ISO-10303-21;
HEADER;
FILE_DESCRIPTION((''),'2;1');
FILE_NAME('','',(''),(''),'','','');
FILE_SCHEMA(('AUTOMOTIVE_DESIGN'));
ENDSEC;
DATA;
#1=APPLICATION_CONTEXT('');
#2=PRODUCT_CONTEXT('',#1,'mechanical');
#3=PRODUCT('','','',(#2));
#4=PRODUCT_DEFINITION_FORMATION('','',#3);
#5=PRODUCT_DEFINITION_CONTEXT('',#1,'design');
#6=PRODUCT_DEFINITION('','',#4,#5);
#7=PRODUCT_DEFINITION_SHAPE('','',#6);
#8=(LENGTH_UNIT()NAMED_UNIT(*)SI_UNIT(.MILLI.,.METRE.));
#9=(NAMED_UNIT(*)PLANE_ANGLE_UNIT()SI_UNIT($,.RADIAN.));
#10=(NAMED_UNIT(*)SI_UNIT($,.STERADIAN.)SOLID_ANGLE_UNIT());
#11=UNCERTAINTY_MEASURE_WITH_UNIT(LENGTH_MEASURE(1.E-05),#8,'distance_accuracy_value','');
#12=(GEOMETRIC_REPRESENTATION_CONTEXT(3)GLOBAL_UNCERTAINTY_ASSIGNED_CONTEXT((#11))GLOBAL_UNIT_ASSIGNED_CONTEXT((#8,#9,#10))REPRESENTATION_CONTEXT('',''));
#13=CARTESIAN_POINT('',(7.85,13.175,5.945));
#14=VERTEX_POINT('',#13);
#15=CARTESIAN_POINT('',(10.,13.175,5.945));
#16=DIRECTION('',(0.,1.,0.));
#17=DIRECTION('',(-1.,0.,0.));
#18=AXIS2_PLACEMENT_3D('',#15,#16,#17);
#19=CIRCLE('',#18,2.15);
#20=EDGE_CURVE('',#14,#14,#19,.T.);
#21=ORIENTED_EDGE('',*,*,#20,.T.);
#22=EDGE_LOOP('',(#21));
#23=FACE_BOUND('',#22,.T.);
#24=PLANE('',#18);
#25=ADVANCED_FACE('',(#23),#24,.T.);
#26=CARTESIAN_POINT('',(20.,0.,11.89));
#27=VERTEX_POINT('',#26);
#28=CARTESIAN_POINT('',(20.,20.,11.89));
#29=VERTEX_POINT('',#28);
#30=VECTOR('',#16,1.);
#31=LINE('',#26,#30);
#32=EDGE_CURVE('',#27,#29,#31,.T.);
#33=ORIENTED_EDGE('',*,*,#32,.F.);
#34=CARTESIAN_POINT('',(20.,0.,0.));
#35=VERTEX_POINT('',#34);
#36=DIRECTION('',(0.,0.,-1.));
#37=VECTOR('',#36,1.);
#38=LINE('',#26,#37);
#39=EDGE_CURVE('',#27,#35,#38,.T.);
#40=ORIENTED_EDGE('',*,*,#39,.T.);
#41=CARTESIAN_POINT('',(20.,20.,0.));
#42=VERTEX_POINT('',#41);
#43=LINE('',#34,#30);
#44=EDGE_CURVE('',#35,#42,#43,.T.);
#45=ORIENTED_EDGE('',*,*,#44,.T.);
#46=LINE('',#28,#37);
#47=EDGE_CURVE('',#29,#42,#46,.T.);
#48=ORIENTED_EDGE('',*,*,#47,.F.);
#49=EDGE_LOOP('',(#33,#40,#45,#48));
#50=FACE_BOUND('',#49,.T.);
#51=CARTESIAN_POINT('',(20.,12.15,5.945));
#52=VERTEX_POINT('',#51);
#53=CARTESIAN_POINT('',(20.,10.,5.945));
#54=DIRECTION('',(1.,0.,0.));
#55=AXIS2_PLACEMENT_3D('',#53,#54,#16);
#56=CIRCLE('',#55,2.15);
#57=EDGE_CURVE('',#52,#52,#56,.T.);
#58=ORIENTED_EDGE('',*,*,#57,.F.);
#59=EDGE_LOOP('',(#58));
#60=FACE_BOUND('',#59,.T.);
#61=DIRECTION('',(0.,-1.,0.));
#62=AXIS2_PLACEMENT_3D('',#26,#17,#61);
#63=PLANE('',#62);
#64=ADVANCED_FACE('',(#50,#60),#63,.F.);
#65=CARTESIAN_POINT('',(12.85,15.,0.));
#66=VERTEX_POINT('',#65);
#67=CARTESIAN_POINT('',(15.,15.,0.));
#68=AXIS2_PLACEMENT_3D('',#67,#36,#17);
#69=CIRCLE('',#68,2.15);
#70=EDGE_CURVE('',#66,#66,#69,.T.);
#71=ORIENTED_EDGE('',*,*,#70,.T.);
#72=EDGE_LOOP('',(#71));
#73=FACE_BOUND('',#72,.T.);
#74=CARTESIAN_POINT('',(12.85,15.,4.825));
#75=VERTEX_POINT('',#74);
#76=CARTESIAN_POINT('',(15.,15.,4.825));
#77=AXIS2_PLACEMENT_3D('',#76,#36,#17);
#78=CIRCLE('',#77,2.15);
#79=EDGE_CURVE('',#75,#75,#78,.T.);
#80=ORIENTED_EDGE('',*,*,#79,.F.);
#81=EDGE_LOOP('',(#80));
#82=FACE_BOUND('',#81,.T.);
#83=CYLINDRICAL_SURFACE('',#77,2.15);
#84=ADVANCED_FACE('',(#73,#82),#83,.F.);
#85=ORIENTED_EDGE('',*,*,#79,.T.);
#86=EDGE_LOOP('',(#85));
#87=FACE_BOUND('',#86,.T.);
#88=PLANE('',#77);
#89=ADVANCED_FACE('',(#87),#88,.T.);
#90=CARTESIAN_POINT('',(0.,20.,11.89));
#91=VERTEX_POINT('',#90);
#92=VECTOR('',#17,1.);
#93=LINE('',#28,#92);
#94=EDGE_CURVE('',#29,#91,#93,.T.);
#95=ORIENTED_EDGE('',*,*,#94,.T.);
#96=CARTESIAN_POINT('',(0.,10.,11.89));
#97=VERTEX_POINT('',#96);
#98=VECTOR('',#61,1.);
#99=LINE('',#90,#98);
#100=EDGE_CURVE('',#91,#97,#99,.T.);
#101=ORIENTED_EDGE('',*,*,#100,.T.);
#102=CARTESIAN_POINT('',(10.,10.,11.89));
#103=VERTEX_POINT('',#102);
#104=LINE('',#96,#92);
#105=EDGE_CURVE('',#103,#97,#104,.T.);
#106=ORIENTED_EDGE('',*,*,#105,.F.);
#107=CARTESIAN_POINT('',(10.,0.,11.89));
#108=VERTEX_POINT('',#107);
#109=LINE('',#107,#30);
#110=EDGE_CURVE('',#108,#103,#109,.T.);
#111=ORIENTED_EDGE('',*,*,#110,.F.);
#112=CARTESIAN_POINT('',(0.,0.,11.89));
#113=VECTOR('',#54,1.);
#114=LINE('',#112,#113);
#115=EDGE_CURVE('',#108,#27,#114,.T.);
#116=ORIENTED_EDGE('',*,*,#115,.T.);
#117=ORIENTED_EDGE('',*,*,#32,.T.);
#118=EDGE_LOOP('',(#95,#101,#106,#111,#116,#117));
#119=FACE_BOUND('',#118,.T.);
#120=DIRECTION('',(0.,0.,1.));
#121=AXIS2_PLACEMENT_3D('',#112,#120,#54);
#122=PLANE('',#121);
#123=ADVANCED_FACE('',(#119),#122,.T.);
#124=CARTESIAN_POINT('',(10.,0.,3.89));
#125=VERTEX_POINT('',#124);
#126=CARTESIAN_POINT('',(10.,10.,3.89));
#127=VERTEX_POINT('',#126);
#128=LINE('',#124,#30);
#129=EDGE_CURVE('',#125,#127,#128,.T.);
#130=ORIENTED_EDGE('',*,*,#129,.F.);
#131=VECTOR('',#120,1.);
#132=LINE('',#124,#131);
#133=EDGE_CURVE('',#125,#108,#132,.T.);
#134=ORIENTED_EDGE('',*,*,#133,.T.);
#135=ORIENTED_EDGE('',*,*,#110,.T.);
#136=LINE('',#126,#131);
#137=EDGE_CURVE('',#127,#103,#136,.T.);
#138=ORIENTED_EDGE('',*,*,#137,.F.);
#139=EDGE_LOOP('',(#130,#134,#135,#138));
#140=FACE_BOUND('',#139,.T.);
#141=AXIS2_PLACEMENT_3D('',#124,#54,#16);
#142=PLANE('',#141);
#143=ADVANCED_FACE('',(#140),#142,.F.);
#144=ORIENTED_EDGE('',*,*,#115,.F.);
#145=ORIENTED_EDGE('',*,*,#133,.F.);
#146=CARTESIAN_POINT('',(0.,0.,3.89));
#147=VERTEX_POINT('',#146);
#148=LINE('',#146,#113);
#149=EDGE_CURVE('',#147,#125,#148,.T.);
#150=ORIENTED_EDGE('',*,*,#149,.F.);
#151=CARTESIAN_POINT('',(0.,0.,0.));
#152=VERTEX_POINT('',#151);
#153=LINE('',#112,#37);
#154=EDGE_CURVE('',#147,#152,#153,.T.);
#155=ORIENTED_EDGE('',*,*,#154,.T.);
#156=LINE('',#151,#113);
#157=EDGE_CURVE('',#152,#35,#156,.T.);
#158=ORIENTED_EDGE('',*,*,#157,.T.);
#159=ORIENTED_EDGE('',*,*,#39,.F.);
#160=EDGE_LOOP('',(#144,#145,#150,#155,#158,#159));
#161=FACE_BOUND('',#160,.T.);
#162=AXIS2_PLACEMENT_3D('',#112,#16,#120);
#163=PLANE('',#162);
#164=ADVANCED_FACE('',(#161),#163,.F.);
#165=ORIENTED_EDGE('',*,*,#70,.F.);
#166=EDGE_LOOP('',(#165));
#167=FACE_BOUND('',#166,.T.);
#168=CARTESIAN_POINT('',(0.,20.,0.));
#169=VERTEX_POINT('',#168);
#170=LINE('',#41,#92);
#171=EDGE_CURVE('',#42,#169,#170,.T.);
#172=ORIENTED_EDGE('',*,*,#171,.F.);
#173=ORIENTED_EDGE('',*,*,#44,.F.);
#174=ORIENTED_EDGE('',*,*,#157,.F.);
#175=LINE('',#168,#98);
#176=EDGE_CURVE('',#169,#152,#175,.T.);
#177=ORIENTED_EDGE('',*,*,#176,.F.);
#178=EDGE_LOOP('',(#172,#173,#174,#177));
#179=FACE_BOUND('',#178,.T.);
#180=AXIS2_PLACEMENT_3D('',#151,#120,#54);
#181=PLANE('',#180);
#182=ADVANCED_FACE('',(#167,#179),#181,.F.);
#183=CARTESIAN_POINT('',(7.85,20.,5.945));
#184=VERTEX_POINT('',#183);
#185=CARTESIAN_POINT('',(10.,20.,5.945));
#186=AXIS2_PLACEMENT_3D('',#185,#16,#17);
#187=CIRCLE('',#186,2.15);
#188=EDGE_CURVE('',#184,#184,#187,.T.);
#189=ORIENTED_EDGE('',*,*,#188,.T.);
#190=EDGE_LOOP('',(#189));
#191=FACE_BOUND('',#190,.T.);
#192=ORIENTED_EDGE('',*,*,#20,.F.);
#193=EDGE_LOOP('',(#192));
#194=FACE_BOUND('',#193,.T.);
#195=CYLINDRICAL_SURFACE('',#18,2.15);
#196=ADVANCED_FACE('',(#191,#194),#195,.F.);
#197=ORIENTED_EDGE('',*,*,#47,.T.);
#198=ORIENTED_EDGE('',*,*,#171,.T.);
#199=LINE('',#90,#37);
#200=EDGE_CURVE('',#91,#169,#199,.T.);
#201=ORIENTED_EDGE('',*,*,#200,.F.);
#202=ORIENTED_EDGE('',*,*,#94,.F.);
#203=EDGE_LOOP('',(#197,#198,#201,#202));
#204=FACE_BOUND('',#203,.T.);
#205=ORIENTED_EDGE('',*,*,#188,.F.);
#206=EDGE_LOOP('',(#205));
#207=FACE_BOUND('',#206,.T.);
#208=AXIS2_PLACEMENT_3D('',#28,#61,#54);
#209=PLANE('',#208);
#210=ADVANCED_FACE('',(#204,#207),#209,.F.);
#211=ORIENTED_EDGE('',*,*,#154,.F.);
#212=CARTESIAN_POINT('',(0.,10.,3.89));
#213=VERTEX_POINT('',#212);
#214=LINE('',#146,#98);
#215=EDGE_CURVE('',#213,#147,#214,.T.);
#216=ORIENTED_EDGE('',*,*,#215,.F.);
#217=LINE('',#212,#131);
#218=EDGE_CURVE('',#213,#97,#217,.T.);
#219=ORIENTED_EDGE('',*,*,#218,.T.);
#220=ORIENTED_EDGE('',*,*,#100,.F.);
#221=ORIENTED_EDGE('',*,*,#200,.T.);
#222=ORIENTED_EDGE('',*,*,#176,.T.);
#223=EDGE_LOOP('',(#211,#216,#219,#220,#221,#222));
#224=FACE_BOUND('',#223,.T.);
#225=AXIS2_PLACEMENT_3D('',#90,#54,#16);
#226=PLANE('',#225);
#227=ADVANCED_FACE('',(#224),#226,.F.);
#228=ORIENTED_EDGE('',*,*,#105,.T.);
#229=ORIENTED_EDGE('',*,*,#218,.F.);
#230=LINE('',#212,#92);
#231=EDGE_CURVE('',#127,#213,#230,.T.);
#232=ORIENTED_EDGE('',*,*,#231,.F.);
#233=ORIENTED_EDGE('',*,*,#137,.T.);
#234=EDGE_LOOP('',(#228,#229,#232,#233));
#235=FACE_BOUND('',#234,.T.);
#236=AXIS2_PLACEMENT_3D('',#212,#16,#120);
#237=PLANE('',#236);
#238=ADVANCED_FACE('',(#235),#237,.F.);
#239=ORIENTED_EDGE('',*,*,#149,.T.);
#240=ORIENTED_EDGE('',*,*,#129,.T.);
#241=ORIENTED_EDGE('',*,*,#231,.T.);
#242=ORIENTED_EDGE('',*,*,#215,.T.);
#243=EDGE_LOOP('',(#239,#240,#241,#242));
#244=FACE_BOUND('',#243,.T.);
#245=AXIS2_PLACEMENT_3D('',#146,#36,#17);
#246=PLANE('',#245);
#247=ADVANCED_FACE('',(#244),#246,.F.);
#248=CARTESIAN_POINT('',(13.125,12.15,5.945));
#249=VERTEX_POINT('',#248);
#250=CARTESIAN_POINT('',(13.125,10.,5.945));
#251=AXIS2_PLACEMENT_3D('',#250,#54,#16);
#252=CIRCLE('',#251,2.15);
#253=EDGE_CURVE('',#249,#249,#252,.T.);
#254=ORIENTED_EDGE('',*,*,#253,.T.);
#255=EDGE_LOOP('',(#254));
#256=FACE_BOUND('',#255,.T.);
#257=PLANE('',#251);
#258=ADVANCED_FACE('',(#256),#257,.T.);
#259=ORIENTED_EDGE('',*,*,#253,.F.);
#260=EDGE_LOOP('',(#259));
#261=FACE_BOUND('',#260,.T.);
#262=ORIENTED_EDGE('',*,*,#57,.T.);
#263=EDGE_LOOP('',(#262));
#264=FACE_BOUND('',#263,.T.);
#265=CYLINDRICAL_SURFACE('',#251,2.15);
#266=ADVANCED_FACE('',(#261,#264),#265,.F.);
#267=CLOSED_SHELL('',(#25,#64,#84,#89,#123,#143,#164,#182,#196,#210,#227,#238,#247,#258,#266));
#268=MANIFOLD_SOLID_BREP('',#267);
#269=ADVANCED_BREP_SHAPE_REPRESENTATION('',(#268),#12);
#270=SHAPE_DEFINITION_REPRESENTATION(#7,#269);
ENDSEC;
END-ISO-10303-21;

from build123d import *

# Parameters (mm, degrees)
SKETCH1_W           = 20
SKETCH1_H           = 20
BOSS_EXTRUDE1_DEPTH = 11.89
SKETCH2_W           = 10
SKETCH2_H           = 10
CUT_EXTRUDE1_DEPTH  = 8
SKETCH101_R         = 2.15
CUT_EXTRUDE92_DEPTH = 6.825
SKETCH100_R         = 2.15
CUT_EXTRUDE93_DEPTH = 6.875
SKETCH99_R          = 2.15
CUT_EXTRUDE94_DEPTH = 4.825


with BuildPart() as part:
    # Sketch1 → Boss-Extrude1 (new body)
    with BuildSketch(Plane.XY):
        with Locations((10, 10)):
            Rectangle(SKETCH1_W, SKETCH1_H)
    extrude(amount=BOSS_EXTRUDE1_DEPTH)

    # Sketch2 → Cut-Extrude1 (cut)
    with BuildSketch(Plane.XY.offset(11.89)):
        with Locations((5, 5)):
            Rectangle(SKETCH2_W, SKETCH2_H)
    extrude(amount=-CUT_EXTRUDE1_DEPTH, mode=Mode.SUBTRACT)

    # Sketch101 → Cut-Extrude92 (cut)
    with BuildSketch(Plane(origin=(0, 20, 0), x_dir=(1, 0, 0), z_dir=(0, 1, 0))):
        with Locations((10, -5.945)):
            Circle(SKETCH101_R)
    extrude(amount=-CUT_EXTRUDE92_DEPTH, mode=Mode.SUBTRACT)

    # Sketch100 → Cut-Extrude93 (cut)
    with BuildSketch(Plane(origin=(20, 0, 0), x_dir=(0, 0, -1), z_dir=(1, 0, 0))):
        with Locations((-5.945, 10)):
            Circle(SKETCH100_R)
    extrude(amount=-CUT_EXTRUDE93_DEPTH, mode=Mode.SUBTRACT)

    # Sketch99 → Cut-Extrude94 (cut)
    with BuildSketch(Plane(origin=(0, 0, 0), x_dir=(-1, 0, 0), z_dir=(0, 0, -1))):
        with Locations((-15, 15)):
            Circle(SKETCH99_R)
    extrude(amount=-CUT_EXTRUDE94_DEPTH, mode=Mode.SUBTRACT)


solid = part.part
